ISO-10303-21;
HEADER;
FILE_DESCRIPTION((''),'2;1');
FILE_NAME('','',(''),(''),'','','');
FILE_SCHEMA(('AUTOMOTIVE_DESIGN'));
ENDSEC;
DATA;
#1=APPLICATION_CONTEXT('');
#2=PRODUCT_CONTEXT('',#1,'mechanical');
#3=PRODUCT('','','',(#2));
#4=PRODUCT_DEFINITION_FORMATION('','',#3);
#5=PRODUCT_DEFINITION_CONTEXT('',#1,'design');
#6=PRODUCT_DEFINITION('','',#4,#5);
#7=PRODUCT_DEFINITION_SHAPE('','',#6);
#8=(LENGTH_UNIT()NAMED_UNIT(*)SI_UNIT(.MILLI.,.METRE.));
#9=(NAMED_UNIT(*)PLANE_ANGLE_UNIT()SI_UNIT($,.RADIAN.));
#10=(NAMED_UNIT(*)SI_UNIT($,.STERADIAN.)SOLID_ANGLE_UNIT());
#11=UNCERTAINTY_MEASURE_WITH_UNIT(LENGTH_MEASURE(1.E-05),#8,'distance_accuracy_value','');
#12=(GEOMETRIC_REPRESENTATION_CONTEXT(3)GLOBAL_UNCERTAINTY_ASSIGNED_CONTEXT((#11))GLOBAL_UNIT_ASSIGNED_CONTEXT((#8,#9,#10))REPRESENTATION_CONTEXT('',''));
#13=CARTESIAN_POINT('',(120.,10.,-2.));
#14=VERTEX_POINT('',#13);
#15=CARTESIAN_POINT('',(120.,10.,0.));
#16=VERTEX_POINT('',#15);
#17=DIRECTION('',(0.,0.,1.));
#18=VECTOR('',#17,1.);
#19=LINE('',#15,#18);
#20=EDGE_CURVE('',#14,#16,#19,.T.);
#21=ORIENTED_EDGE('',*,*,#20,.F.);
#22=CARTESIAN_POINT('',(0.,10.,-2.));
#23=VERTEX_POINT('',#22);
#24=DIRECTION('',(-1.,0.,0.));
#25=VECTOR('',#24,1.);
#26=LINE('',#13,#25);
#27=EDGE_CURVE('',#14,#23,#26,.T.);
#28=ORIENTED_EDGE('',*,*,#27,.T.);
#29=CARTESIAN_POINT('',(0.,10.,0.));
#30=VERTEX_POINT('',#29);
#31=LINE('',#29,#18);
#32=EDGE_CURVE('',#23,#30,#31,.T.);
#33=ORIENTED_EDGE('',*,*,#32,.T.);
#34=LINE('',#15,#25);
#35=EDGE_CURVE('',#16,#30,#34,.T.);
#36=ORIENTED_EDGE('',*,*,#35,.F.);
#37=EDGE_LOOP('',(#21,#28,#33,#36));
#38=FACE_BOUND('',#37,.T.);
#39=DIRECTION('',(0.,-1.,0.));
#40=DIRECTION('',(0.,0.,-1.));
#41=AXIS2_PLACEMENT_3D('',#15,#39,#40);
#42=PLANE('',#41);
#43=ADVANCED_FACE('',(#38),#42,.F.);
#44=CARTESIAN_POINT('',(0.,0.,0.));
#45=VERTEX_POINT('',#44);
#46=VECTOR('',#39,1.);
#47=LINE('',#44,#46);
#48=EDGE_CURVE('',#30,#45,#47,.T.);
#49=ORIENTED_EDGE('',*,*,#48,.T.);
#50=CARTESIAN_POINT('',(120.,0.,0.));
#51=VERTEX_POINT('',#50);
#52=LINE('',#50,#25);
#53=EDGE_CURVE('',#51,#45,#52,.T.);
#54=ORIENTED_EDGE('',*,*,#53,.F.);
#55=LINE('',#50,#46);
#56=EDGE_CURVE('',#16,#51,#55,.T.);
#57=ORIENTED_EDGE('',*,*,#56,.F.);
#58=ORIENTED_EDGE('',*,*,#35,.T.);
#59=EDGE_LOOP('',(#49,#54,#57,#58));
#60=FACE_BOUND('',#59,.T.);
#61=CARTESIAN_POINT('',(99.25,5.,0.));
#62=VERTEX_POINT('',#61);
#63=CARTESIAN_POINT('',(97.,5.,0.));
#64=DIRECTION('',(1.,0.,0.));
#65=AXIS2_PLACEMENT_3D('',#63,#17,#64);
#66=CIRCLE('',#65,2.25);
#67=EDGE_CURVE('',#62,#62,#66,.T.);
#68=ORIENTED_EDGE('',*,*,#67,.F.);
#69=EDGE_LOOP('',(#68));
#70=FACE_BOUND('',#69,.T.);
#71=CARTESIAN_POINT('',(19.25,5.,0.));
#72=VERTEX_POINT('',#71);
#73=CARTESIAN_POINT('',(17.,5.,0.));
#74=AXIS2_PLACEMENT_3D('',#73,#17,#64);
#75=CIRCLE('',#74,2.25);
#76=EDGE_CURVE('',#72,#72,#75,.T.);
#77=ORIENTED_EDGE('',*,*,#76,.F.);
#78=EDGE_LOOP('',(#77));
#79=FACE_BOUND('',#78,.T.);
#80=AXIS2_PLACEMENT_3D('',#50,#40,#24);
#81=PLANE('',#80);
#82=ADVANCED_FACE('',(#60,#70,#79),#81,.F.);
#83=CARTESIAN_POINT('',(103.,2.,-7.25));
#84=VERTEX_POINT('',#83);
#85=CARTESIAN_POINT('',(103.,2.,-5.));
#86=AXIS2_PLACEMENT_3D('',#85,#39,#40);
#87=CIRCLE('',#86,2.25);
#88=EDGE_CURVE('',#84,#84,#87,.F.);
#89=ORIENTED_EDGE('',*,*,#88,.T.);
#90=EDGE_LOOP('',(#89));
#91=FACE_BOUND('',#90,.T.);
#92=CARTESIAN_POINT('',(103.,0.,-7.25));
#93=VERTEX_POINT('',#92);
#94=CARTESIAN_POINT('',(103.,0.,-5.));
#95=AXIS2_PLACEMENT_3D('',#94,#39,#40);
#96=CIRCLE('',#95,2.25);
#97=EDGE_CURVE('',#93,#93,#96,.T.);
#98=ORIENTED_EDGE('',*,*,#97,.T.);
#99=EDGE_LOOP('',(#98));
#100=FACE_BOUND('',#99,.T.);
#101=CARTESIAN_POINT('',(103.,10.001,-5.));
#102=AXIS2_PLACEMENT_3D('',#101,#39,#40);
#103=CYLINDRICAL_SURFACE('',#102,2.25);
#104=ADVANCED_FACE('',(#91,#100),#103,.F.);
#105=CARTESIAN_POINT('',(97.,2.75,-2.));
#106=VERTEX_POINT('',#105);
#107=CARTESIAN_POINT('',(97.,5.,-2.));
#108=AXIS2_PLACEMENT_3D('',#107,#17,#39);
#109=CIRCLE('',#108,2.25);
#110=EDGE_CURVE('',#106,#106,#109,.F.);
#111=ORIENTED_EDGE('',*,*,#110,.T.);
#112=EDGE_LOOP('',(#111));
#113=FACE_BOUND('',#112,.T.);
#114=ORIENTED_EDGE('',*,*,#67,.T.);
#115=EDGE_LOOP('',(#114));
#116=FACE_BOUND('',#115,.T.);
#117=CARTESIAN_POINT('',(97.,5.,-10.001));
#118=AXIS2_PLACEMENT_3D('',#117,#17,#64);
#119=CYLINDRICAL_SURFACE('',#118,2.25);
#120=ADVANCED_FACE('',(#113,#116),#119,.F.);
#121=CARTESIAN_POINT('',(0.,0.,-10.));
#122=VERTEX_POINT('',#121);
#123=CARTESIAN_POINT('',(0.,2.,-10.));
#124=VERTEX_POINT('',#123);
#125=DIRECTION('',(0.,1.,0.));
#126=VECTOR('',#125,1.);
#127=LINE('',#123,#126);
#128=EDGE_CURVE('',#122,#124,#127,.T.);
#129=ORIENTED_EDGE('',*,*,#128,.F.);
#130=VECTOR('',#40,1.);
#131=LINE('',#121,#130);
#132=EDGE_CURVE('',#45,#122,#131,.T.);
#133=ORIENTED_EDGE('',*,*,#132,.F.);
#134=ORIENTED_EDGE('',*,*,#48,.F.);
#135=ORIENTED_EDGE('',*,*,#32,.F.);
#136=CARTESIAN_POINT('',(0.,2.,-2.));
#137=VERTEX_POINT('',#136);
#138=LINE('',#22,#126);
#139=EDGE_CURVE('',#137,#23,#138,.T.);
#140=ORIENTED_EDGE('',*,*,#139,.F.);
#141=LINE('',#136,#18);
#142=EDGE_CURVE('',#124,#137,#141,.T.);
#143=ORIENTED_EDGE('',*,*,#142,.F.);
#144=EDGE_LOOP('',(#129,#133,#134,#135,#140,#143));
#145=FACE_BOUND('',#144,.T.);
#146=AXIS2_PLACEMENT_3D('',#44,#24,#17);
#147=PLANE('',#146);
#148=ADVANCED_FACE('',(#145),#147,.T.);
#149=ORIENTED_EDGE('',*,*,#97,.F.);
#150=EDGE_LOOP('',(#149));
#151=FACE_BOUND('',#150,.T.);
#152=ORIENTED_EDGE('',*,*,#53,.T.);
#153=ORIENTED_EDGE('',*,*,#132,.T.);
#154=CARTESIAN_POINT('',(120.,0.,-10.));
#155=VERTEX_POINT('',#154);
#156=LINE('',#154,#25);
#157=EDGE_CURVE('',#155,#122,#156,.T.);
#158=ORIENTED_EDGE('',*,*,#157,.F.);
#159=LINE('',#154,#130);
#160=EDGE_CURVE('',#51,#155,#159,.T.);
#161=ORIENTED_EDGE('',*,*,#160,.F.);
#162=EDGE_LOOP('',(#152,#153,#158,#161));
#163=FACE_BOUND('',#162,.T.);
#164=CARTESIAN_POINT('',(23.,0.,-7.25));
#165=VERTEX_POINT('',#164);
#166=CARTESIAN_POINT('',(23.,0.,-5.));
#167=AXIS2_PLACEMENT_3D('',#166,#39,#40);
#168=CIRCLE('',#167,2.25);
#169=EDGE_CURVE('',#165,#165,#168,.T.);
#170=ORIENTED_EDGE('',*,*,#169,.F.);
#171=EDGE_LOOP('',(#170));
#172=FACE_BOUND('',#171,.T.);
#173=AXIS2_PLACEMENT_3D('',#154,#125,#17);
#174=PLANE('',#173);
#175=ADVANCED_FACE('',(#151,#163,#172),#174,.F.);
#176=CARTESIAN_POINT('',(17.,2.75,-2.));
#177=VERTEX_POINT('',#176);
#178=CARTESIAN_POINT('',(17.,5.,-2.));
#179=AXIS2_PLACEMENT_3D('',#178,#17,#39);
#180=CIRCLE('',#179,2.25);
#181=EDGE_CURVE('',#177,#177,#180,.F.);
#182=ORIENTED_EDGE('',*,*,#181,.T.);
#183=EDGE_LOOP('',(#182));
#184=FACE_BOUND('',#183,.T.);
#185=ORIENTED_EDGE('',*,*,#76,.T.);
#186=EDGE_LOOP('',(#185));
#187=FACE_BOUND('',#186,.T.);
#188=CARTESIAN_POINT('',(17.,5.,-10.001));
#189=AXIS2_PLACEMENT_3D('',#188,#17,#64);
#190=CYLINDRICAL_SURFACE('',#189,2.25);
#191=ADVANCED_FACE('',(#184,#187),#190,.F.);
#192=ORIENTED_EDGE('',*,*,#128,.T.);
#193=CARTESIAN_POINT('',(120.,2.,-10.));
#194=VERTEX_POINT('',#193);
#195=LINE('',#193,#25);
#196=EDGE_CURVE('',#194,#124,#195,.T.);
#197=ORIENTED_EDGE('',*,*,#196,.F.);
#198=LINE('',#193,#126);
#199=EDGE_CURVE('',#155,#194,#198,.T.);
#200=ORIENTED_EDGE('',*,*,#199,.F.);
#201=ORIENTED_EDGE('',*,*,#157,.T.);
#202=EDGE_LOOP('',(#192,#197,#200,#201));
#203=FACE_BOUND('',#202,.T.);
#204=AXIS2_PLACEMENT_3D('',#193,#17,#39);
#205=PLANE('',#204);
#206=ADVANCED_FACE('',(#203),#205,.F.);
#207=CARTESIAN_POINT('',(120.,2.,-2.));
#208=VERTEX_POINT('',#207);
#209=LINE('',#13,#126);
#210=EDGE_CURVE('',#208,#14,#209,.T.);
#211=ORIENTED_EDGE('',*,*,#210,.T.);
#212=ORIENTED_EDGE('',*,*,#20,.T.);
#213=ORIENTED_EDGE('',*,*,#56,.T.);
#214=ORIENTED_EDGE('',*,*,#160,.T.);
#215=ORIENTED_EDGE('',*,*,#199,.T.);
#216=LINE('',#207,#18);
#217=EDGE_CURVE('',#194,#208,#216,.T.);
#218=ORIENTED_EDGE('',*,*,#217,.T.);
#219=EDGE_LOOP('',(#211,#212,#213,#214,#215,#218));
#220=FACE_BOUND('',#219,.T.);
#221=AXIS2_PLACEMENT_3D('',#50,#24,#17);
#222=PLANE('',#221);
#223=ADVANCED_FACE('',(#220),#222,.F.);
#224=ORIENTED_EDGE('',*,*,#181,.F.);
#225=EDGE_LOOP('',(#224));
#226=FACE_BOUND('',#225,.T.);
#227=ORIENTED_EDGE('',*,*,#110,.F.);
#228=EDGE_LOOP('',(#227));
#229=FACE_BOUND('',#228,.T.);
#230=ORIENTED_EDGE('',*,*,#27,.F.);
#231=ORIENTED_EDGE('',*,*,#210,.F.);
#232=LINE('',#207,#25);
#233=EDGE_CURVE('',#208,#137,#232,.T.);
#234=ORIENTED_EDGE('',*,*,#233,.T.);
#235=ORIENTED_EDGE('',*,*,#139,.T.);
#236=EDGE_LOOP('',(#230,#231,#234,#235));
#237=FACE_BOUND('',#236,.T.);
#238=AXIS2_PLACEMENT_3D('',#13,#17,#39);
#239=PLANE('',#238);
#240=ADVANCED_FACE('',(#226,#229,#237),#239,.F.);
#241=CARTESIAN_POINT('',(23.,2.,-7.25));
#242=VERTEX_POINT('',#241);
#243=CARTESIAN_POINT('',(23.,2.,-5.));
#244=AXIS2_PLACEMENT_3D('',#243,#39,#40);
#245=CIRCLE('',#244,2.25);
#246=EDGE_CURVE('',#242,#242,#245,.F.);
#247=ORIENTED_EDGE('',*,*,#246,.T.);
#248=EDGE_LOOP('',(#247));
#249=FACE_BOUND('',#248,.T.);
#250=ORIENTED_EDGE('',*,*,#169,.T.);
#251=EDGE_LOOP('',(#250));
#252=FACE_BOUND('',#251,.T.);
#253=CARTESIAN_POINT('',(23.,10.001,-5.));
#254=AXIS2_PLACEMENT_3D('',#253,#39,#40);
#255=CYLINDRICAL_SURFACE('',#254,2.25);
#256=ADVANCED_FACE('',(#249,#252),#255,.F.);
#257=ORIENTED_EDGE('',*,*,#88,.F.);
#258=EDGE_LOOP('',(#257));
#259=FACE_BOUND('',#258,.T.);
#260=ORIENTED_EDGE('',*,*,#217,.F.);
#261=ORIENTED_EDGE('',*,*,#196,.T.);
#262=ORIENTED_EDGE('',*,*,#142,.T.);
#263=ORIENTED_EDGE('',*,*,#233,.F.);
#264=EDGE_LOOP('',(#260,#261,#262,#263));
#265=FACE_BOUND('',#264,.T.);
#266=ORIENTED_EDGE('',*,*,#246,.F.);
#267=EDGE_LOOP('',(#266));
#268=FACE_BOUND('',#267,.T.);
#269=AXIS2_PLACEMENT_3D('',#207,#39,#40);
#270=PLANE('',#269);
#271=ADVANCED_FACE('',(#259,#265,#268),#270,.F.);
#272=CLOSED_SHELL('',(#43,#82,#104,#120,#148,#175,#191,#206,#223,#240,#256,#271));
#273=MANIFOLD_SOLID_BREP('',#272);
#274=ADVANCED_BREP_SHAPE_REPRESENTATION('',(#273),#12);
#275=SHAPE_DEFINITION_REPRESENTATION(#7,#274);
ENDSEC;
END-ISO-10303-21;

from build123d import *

# Parameters (mm, degrees)
EXTRUDE_1_DEPTH     = 120
CUT_EXTRUDE_1_REACH = 12
SKETCH_2_R          = 2.25
CUT_EXTRUDE_2_REACH = 12
SKETCH_3_R          = 2.25


with BuildPart() as part:
    # Эскиз1 → Бобышка-Вытянуть1 (new body)
    with BuildSketch(Plane(origin=(0, 0, 0), x_dir=(0, 0, -1), z_dir=(1, 0, 0))):
        Polygon((0, 0), (0, 10), (2, 10), (2, 2), (10, 2), (10, 0), align=None)
    extrude(amount=EXTRUDE_1_DEPTH)

    # Эскиз2 → Вырез-Вытянуть1 (cut, up to next)
    with BuildSketch(Plane.XY, mode=Mode.PRIVATE) as cut_extrude_1_sk1:
        with Locations((97, 5)):
            Circle(SKETCH_2_R)
    cut_extrude_1_tool1 = extrude(cut_extrude_1_sk1.sketch, amount=-CUT_EXTRUDE_1_REACH, mode=Mode.PRIVATE) & part.part
    add(cut_extrude_1_tool1.solids().sort_by_distance((97, 5, 0))[0], mode=Mode.SUBTRACT)
    # Эскиз2 → Вырез-Вытянуть1 (cut, up to next)
    with BuildSketch(Plane.XY, mode=Mode.PRIVATE) as cut_extrude_1_sk2:
        with Locations((17, 5)):
            Circle(SKETCH_2_R)
    cut_extrude_1_tool2 = extrude(cut_extrude_1_sk2.sketch, amount=-CUT_EXTRUDE_1_REACH, mode=Mode.PRIVATE) & part.part
    add(cut_extrude_1_tool2.solids().sort_by_distance((17, 5, 0))[0], mode=Mode.SUBTRACT)

    # Эскиз3 → Вырез-Вытянуть2 (cut, up to next)
    with BuildSketch(Plane.XZ, mode=Mode.PRIVATE) as cut_extrude_2_sk1:
        with Locations((103, -5)):
            Circle(SKETCH_3_R)
    cut_extrude_2_tool1 = extrude(cut_extrude_2_sk1.sketch, amount=-CUT_EXTRUDE_2_REACH, mode=Mode.PRIVATE) & part.part
    add(cut_extrude_2_tool1.solids().sort_by_distance((103, 0, -5))[0], mode=Mode.SUBTRACT)
    # Эскиз3 → Вырез-Вытянуть2 (cut, up to next)
    with BuildSketch(Plane.XZ, mode=Mode.PRIVATE) as cut_extrude_2_sk2:
        with Locations((23, -5)):
            Circle(SKETCH_3_R)
    cut_extrude_2_tool2 = extrude(cut_extrude_2_sk2.sketch, amount=-CUT_EXTRUDE_2_REACH, mode=Mode.PRIVATE) & part.part
    add(cut_extrude_2_tool2.solids().sort_by_distance((23, 0, -5))[0], mode=Mode.SUBTRACT)


solid = part.part
